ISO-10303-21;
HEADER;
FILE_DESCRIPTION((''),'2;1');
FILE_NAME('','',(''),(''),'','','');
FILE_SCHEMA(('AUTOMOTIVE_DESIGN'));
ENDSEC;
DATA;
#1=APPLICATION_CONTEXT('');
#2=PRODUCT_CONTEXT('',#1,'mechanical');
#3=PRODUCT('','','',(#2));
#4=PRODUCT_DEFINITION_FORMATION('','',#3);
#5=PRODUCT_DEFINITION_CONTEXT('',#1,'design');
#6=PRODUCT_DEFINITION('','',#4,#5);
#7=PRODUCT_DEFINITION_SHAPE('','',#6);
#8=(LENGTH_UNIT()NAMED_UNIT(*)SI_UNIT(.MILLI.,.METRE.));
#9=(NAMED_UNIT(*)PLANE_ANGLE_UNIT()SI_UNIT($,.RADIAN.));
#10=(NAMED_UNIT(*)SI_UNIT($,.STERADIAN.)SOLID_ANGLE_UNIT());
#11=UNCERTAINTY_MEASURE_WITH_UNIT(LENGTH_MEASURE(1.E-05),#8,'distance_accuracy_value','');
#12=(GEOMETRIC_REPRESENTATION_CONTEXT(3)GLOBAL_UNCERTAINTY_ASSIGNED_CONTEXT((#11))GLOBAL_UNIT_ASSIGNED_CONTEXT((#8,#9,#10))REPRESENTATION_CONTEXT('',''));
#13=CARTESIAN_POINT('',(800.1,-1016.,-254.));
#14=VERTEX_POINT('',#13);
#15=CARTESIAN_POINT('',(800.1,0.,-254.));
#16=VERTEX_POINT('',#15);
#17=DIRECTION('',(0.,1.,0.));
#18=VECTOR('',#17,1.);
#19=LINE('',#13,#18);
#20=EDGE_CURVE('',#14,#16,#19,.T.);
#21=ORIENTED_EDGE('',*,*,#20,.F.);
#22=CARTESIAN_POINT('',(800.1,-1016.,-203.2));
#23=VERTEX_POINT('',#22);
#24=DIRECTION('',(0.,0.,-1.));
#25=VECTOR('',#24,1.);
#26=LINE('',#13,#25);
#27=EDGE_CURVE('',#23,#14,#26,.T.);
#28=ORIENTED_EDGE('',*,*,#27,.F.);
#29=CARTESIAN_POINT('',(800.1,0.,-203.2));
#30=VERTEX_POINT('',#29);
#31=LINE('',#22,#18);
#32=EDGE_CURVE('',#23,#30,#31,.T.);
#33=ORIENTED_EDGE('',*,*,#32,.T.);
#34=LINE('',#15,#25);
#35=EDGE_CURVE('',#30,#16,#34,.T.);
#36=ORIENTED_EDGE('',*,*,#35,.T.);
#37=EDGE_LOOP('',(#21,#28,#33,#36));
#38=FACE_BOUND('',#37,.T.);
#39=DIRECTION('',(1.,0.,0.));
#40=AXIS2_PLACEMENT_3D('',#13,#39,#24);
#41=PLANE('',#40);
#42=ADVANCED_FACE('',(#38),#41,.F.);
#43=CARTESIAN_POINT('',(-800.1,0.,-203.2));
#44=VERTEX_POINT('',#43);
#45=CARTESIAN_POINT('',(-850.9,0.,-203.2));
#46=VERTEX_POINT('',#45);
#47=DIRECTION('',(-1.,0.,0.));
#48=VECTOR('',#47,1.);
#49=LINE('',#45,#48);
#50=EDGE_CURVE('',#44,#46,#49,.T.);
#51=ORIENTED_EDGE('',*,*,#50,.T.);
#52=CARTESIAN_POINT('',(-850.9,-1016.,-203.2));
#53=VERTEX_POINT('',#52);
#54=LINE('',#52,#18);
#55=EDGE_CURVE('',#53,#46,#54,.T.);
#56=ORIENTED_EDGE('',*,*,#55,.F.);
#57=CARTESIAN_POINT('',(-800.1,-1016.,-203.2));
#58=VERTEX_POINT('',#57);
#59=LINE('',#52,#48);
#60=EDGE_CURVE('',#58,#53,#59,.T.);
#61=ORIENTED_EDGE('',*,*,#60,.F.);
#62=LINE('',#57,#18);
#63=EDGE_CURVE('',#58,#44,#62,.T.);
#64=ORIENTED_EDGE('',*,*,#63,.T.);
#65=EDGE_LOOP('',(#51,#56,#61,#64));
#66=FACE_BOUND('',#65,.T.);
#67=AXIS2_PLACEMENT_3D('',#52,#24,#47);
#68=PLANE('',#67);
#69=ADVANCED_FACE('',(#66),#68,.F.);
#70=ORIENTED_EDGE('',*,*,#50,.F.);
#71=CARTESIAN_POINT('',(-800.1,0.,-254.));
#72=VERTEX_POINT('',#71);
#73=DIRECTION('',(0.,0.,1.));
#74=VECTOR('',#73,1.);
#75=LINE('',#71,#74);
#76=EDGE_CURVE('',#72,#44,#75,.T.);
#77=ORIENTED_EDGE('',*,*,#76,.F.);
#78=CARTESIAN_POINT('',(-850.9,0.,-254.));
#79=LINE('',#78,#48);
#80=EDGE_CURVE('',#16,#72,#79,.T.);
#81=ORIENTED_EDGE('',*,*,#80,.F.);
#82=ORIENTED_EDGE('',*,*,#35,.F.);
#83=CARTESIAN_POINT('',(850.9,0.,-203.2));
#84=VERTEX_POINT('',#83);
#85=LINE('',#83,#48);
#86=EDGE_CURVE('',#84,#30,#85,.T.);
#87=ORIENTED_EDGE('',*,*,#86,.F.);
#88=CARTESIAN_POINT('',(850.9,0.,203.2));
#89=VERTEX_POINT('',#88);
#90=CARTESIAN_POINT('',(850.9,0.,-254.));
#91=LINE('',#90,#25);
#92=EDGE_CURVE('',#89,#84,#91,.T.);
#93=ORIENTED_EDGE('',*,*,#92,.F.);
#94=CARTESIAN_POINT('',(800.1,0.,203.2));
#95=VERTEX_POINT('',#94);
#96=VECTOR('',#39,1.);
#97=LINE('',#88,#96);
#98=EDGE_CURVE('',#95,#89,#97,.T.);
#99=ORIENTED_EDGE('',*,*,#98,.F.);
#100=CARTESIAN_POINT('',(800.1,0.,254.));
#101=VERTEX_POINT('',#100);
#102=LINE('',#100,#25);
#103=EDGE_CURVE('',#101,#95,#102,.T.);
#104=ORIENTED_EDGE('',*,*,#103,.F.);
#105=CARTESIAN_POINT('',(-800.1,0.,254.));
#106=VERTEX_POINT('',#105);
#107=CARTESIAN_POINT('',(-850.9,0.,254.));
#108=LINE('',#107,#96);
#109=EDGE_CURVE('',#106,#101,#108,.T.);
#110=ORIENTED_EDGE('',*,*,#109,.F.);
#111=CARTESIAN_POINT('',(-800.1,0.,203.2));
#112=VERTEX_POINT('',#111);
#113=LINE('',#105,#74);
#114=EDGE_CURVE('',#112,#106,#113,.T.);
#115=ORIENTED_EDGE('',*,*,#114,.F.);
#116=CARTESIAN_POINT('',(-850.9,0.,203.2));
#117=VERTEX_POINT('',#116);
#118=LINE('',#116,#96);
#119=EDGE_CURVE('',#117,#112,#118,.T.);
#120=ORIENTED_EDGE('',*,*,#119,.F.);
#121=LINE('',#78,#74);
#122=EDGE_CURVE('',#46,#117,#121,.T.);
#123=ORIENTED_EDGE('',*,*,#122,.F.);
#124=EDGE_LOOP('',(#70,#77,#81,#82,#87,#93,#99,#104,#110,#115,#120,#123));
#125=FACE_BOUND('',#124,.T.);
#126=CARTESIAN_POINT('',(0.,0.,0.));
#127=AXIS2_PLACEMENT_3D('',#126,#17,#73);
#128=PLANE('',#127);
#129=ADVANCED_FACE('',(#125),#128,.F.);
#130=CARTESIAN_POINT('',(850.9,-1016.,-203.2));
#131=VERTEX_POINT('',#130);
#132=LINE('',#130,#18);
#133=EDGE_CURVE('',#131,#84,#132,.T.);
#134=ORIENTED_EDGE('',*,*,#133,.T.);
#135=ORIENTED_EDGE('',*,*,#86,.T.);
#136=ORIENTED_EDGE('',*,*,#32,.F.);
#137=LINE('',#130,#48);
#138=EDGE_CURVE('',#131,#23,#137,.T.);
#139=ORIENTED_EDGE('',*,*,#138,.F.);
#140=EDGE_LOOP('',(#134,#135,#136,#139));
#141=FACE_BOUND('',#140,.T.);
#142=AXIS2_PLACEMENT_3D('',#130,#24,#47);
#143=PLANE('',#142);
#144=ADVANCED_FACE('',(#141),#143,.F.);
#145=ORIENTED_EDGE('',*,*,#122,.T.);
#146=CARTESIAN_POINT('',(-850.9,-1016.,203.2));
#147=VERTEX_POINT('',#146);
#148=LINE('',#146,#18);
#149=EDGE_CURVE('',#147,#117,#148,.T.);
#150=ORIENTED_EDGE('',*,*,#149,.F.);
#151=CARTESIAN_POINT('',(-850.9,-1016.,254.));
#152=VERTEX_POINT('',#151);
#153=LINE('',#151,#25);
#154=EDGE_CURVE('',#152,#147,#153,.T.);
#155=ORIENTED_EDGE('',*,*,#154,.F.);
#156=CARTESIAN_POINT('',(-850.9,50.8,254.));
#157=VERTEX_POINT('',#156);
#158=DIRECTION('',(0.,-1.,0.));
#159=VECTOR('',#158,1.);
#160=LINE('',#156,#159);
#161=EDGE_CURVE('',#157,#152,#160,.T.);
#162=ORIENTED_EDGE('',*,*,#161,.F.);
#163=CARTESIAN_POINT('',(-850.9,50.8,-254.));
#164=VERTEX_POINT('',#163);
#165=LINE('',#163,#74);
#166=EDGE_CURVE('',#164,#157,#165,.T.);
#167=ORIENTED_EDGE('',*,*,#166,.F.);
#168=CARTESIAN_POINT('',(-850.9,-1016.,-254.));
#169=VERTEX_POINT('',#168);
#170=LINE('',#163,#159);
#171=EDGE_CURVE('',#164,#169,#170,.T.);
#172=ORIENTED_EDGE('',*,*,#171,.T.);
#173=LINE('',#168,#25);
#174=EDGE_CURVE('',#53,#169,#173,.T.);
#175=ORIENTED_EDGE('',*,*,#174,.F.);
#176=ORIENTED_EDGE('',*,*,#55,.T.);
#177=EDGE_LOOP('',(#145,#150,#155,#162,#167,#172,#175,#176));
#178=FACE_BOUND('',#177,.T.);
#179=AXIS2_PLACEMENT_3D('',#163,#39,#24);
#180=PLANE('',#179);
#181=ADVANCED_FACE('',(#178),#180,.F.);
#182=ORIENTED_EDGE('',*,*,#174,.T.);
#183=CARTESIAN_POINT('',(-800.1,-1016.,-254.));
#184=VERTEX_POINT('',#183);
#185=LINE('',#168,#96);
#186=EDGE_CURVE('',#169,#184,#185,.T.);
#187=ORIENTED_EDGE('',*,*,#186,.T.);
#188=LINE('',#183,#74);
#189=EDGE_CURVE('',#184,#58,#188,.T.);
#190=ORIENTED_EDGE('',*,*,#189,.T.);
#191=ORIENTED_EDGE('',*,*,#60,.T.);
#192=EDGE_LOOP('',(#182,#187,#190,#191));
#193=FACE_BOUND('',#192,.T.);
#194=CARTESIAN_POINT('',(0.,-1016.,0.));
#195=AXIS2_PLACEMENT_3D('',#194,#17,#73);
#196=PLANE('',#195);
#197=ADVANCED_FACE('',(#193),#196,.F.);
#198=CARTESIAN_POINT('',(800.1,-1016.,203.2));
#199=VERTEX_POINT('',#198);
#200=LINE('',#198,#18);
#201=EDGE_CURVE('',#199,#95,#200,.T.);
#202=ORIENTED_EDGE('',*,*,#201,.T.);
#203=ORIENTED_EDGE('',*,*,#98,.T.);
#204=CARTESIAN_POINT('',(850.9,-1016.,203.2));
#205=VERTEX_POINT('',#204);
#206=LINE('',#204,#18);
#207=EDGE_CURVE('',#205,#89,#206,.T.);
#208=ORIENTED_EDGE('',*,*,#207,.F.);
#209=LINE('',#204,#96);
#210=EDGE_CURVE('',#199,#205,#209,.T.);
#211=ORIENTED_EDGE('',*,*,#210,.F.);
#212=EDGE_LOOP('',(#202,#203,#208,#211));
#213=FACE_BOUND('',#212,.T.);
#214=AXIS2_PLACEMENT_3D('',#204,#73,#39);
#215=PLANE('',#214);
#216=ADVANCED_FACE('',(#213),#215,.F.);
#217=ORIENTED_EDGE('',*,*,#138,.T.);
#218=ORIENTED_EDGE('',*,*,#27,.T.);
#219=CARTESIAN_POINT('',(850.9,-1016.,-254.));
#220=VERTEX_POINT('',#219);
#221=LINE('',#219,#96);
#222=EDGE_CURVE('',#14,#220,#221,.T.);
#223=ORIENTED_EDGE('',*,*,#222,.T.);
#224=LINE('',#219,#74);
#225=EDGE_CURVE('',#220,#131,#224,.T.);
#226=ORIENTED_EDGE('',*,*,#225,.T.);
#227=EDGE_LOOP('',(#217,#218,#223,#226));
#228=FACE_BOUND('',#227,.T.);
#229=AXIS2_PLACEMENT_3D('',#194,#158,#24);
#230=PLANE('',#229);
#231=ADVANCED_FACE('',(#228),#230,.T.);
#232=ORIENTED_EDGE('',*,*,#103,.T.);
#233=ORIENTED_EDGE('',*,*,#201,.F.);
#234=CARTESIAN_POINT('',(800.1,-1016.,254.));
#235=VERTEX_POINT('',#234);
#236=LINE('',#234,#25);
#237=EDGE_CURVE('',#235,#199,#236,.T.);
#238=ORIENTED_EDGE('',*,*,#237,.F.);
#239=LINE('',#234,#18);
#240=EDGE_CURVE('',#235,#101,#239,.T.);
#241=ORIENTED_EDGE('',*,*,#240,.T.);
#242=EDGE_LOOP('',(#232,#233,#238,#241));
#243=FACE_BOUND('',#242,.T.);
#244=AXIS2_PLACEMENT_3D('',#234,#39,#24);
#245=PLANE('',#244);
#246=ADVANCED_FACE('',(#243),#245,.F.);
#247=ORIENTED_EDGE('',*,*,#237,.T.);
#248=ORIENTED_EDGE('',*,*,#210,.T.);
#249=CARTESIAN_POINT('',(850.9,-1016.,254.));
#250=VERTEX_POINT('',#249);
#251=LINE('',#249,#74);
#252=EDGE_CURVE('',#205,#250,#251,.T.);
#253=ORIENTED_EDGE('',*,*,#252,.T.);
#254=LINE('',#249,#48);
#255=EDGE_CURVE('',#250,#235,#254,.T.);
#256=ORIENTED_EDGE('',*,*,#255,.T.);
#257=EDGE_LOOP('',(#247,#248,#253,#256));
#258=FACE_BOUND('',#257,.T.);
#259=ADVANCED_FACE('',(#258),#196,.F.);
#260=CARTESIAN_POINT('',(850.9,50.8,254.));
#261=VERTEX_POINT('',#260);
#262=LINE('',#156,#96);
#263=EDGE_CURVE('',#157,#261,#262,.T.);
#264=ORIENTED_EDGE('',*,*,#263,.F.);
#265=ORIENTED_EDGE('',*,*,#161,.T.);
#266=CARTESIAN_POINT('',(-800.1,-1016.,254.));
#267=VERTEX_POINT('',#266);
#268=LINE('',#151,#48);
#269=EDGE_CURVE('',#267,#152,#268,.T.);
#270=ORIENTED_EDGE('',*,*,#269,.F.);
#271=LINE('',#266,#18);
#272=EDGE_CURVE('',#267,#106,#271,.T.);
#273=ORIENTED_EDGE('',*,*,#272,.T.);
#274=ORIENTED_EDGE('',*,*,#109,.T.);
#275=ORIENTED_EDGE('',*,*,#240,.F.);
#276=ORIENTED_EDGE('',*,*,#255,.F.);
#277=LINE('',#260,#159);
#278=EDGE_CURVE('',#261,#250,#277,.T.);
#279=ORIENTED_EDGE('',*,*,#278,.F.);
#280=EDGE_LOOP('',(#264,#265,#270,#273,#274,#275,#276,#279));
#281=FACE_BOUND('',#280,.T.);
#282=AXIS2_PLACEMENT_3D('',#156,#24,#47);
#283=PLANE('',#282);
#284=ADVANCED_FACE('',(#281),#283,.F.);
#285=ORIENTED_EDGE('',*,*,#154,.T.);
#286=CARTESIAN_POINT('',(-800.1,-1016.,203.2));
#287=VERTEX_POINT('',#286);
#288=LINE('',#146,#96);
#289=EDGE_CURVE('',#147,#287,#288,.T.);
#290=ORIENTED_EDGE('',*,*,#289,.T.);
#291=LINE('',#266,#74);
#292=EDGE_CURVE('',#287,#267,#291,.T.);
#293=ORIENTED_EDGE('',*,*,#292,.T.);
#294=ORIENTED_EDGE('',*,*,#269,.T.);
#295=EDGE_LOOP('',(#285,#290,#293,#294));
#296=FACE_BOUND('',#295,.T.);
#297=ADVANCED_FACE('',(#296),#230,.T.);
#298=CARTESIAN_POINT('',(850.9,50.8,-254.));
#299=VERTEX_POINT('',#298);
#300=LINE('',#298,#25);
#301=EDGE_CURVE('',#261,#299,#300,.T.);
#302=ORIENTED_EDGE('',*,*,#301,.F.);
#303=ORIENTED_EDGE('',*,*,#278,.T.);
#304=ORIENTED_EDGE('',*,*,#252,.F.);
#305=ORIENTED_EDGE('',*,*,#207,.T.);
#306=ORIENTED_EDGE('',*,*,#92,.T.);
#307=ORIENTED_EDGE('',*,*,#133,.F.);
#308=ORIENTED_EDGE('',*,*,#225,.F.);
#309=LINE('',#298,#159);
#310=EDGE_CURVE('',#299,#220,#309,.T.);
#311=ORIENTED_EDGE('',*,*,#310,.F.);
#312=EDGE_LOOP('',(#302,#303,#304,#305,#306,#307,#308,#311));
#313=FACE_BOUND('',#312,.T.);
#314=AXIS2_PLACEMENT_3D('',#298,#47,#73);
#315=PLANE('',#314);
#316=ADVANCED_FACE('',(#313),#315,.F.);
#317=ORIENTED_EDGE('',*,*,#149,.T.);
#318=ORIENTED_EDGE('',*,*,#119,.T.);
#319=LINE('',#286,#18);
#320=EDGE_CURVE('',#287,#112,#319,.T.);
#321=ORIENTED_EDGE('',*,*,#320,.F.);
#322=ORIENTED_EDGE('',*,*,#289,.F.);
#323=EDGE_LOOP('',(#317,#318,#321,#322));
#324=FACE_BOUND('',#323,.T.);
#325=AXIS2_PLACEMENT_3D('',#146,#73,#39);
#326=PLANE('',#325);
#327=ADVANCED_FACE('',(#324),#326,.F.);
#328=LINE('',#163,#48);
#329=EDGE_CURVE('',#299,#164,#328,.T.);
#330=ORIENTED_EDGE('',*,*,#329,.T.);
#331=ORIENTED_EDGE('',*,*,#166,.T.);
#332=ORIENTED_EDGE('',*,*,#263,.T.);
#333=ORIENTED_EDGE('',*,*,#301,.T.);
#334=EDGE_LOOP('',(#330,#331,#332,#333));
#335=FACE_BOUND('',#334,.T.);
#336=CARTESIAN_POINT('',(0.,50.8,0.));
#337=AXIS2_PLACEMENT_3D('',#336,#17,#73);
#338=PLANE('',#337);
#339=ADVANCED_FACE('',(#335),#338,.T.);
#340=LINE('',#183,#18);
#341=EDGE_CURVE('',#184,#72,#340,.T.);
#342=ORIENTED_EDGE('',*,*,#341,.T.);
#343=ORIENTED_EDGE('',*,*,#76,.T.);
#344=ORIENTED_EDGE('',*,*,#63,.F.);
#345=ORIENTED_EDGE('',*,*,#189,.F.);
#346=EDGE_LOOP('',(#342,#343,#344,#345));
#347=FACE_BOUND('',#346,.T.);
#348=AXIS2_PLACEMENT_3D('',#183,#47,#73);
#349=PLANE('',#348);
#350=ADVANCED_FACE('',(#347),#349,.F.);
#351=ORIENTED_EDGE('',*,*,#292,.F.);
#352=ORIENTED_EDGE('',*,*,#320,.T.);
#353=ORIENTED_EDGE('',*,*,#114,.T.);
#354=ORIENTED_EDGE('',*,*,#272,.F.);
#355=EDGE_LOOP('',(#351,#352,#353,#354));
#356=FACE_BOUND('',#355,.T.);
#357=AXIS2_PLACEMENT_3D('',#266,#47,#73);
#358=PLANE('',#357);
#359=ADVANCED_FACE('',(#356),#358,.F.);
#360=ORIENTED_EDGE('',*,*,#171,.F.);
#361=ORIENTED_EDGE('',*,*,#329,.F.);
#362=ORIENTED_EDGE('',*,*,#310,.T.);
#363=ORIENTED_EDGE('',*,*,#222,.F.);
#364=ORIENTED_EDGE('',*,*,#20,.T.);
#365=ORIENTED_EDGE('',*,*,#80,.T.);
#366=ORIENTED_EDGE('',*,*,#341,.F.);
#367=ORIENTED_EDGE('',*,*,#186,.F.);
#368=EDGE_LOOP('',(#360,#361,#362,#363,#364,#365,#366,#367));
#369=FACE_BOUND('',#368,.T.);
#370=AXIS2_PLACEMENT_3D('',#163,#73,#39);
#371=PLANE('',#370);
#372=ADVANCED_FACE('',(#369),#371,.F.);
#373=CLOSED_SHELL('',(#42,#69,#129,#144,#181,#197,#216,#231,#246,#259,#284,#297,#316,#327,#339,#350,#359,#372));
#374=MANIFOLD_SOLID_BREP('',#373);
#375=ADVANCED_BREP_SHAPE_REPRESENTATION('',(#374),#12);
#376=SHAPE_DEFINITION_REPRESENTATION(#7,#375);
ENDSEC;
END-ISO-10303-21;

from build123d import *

# Parameters (mm, degrees)
SKETCH1_W           = 1701.8
SKETCH1_H           = 508
BOSS_EXTRUDE1_DEPTH = 50.8
SKETCH2_W           = 50.8
SKETCH2_H           = 50.8
BOSS_EXTRUDE2_DEPTH = 1016


with BuildPart() as part:
    # Sketch1 → Boss-Extrude1 (new body)
    with BuildSketch(Plane(origin=(0, 0, 0), x_dir=(1, 0, 0), z_dir=(0, 1, 0))):
        Rectangle(SKETCH1_W, SKETCH1_H)
    extrude(amount=BOSS_EXTRUDE1_DEPTH)

    # Sketch2 → Boss-Extrude2 (add)
    with BuildSketch(Plane.XZ):
        with Locations((-825.5, 228.6)):
            Rectangle(SKETCH2_W, SKETCH2_H)
        with Locations((-825.5, -228.6)):
            Rectangle(SKETCH2_W, SKETCH2_H)
        with Locations((825.5, 228.6)):
            Rectangle(SKETCH2_W, SKETCH2_H)
        with Locations((825.5, -228.6)):
            Rectangle(SKETCH2_W, SKETCH2_H)
    extrude(amount=BOSS_EXTRUDE2_DEPTH)


solid = part.part
